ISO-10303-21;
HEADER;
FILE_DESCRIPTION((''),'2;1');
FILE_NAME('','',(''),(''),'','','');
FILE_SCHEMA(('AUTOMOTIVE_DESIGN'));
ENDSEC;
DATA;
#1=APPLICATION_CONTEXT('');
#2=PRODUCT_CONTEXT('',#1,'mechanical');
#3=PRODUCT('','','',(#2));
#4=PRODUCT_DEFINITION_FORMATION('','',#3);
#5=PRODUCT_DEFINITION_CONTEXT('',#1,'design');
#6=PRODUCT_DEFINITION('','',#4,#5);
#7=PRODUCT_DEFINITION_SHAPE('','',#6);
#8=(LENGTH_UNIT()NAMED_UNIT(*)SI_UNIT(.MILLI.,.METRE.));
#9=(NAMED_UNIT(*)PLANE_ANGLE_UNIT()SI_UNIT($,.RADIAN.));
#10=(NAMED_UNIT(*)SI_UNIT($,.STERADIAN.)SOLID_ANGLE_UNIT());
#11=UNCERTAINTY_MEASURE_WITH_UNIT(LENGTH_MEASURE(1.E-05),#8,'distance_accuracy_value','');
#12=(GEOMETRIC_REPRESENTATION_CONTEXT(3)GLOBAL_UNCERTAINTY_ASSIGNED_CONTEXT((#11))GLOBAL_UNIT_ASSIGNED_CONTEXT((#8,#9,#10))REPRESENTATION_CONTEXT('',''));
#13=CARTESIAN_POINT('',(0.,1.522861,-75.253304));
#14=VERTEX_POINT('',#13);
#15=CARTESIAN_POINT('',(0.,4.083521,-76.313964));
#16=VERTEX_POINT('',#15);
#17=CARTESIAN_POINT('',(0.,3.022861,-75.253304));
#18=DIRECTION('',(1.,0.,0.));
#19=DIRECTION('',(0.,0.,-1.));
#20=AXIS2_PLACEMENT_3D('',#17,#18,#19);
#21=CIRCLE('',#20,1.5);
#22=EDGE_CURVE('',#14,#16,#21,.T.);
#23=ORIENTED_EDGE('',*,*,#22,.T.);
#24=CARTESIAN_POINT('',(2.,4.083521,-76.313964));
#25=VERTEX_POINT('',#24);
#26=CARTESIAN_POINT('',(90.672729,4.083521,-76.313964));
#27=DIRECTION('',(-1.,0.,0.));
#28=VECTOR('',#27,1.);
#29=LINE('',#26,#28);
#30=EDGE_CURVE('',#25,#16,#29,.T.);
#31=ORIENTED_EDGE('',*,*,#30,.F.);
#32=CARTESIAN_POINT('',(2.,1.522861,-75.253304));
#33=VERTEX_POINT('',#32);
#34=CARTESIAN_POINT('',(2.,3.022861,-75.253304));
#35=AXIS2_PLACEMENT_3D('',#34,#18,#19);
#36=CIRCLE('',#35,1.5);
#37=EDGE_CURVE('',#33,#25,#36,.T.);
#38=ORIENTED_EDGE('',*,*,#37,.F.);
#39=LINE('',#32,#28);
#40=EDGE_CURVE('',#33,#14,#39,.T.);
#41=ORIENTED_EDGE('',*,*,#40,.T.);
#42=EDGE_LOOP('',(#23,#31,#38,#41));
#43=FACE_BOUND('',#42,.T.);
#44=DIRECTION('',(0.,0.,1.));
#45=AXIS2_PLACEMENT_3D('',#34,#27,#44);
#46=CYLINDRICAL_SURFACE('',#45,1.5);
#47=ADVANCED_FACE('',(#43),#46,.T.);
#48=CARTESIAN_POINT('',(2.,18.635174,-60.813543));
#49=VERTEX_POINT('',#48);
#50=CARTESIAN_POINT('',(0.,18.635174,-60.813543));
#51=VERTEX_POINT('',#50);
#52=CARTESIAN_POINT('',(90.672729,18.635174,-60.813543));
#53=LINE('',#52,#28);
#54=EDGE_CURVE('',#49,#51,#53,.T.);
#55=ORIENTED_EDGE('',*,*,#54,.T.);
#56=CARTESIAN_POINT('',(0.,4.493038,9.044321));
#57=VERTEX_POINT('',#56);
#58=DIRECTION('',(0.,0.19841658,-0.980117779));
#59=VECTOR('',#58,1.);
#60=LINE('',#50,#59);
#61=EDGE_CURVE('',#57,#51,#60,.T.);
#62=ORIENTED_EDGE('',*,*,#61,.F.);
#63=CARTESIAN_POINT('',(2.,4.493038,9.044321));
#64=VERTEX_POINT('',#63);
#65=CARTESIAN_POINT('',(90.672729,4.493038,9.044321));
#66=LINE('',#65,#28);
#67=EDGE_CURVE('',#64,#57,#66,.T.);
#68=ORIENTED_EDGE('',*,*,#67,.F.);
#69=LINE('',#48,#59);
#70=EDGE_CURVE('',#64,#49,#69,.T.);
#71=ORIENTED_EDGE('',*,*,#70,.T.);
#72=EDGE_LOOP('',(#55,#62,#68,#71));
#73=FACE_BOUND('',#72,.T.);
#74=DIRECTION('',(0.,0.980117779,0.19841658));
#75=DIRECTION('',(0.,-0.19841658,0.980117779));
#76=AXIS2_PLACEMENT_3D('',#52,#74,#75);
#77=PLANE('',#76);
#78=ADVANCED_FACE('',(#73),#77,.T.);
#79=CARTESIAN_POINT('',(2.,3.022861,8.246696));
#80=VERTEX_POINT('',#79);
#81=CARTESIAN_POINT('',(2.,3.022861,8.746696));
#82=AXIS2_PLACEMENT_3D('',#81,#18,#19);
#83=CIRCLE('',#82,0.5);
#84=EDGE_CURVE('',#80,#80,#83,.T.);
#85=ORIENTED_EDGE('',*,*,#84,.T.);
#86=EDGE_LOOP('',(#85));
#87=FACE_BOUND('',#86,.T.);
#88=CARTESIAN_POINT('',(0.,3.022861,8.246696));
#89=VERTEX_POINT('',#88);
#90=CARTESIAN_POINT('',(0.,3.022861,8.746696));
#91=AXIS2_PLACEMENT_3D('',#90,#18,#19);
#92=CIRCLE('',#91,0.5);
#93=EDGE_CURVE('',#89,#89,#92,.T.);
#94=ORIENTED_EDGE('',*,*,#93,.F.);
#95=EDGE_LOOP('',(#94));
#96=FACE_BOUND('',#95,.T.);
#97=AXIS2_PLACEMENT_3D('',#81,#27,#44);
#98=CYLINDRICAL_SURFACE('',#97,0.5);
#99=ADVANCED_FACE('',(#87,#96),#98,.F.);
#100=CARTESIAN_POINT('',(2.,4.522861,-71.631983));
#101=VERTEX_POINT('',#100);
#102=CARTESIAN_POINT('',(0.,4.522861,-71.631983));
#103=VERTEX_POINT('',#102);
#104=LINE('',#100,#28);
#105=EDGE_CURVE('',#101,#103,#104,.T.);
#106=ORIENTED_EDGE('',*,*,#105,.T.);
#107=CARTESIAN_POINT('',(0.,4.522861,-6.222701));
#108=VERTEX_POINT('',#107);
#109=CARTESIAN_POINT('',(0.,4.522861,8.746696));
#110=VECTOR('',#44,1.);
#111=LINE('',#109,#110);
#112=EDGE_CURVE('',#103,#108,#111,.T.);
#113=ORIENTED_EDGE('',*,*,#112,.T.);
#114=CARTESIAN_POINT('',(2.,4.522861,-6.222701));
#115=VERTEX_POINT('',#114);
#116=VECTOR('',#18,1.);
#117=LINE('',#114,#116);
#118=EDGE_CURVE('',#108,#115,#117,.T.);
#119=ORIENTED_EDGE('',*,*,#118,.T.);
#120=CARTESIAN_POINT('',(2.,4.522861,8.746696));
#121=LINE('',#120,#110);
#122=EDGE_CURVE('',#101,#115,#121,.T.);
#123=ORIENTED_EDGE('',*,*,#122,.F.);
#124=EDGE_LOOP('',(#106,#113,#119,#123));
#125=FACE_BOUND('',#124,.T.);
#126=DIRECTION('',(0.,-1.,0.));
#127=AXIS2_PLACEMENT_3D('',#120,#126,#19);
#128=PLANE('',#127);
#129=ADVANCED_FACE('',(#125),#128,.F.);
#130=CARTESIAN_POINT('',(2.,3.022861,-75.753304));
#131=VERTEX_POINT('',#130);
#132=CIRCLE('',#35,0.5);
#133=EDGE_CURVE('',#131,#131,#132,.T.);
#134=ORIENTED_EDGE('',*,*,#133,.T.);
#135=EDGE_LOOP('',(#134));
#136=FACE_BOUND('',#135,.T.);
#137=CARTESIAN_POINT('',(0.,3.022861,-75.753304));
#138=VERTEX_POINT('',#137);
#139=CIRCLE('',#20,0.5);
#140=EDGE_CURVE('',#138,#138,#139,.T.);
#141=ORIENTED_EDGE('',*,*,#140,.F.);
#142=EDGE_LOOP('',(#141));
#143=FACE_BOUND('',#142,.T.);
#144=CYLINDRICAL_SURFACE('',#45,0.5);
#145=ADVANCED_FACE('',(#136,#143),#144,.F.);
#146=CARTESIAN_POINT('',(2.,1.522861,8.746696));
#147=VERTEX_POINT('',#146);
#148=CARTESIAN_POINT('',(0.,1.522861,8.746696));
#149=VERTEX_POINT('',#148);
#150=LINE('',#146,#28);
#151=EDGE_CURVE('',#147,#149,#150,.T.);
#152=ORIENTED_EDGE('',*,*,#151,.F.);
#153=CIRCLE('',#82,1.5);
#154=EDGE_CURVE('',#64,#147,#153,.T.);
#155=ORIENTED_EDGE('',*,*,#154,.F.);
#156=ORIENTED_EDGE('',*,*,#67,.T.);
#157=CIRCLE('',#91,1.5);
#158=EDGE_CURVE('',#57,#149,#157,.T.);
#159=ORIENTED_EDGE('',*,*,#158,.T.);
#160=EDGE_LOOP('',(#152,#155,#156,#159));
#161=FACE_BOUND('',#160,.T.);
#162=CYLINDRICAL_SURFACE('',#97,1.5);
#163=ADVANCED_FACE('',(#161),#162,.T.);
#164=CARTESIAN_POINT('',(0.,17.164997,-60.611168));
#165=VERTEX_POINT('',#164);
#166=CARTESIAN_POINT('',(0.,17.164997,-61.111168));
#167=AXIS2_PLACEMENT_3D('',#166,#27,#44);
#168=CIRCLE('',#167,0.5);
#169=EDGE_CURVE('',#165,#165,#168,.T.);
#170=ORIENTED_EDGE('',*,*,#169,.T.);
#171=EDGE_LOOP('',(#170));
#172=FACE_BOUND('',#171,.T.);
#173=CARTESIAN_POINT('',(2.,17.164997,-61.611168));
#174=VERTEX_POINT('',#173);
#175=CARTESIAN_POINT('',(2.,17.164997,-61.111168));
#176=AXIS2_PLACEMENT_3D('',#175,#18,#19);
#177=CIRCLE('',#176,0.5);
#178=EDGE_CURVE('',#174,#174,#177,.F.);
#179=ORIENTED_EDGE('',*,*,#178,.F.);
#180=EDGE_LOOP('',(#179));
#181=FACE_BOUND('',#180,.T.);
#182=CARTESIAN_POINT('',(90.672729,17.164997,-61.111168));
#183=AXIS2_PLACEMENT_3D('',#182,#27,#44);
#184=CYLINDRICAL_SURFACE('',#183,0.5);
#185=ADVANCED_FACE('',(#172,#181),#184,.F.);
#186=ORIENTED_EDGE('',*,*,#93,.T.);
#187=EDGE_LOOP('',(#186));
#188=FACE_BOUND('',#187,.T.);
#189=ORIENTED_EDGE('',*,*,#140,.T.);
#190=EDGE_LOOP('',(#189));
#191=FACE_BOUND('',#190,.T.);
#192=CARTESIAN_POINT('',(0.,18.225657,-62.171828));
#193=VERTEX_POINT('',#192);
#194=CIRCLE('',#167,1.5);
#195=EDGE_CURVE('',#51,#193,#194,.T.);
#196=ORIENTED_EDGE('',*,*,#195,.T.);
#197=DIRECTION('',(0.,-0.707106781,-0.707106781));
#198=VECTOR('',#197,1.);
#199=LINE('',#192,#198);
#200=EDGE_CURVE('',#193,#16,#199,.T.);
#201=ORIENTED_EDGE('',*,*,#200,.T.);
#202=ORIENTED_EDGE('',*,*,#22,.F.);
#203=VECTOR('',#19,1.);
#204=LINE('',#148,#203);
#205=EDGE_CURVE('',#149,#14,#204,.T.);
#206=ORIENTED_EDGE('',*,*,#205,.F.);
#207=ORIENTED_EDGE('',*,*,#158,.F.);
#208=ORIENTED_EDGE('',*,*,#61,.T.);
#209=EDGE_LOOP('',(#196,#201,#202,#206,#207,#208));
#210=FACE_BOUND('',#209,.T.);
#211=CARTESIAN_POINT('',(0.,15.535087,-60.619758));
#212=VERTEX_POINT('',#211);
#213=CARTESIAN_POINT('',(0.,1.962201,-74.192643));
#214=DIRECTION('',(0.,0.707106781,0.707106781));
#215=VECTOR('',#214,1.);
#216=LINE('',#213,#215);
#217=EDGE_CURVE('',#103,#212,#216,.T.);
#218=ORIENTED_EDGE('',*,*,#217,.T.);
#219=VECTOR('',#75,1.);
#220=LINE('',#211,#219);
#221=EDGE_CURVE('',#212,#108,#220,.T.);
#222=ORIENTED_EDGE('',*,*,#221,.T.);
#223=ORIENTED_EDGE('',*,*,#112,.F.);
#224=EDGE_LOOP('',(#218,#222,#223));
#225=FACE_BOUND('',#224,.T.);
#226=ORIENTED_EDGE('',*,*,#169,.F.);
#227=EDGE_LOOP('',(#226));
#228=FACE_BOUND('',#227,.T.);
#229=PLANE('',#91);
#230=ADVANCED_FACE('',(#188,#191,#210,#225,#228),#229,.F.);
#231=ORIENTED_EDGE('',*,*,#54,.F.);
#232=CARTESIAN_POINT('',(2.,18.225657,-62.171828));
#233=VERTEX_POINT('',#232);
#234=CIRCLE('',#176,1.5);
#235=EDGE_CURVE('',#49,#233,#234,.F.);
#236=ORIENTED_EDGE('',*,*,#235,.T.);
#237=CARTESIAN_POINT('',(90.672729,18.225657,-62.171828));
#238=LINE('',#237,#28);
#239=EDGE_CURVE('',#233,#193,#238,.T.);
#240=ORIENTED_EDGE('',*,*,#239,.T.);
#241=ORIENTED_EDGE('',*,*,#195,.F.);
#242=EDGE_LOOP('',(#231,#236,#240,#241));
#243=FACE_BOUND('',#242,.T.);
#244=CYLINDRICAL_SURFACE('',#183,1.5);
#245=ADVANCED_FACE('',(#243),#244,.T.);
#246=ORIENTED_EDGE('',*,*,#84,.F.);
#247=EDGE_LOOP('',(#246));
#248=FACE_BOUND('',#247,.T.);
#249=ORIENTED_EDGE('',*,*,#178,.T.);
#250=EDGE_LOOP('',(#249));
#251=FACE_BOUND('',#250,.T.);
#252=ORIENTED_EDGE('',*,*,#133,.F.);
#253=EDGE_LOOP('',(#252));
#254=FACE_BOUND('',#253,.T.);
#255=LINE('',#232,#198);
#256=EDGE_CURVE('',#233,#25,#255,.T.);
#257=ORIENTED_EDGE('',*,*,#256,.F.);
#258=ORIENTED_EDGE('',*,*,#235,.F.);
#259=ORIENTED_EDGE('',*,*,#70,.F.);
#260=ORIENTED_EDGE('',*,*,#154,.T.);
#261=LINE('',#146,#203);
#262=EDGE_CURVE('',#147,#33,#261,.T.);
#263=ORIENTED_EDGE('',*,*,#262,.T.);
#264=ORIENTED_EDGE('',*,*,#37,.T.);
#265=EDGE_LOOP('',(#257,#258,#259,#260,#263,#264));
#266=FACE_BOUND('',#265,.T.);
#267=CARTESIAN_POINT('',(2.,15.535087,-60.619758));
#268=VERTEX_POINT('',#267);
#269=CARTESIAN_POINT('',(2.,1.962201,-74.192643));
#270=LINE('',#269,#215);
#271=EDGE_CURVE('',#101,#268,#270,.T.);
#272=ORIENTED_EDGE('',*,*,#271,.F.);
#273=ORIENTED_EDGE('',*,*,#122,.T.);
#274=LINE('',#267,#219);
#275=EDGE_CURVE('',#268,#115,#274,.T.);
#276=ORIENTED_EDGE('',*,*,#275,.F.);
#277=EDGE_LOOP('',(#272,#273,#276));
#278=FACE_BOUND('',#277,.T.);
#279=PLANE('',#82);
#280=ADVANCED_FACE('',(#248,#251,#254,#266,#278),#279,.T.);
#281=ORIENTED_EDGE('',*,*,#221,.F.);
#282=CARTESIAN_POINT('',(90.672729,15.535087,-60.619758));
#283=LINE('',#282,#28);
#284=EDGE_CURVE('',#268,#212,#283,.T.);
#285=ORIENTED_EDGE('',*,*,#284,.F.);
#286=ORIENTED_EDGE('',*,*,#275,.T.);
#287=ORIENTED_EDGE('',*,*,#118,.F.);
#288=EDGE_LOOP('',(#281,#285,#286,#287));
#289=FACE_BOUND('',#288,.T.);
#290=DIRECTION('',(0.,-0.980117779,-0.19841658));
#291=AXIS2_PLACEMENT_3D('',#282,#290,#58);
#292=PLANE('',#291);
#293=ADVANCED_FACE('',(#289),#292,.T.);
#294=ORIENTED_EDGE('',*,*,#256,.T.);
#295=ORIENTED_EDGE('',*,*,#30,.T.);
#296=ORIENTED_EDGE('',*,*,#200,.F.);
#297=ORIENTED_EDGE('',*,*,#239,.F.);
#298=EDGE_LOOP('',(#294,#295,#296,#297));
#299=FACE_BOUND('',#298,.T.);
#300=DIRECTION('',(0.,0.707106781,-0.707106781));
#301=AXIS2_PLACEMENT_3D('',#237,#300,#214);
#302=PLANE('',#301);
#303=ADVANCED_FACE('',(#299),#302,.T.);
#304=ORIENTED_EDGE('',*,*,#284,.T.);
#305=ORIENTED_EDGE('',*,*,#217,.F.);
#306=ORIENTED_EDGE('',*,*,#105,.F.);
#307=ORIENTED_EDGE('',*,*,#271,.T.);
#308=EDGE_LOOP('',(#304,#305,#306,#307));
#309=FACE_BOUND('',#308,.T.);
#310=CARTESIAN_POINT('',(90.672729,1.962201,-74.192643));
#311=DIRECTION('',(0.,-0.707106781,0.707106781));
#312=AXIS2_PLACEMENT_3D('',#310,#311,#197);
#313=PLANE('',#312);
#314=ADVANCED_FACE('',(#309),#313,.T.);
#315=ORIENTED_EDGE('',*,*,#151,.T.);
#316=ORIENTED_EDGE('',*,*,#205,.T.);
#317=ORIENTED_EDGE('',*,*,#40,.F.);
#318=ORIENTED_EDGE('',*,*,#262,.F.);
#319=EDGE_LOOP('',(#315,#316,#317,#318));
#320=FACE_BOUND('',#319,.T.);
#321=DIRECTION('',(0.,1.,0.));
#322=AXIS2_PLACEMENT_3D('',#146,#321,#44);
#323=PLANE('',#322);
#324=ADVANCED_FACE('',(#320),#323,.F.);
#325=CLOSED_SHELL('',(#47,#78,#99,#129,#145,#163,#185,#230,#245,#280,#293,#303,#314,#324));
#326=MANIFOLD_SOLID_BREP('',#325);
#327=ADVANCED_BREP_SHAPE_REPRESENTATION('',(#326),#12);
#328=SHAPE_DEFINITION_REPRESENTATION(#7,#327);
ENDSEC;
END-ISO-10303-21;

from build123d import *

# Parameters (mm, degrees)
SKETCH_1_R      = 0.5
EXTRUDE_1_DEPTH = 2
SKETCH_2_R      = 0.5
EXTRUDE_2_DEPTH = 2


with BuildPart() as part:
    # 草图1 → 凸台-拉伸1 (new body)
    with BuildSketch(Plane(origin=(0, 0, 0), x_dir=(0, 0, -1), z_dir=(1, 0, 0))):
        with BuildLine():
            Line((-8.746696486, 4.522861275), (75.253303514, 4.522861275))
            ThreePointArc((75.253303514, 4.522861275), (76.753303514, 3.022861275), (75.253303514, 1.522861275))
            Line((75.253303514, 1.522861275), (-8.746696486, 1.522861275))
            ThreePointArc((-8.746696486, 1.522861275), (-10.246696486, 3.022861275), (-8.746696486, 4.522861275))
        make_face()
        with Locations((-8.746696486, 3.022861275)):
            Circle(SKETCH_1_R, mode=Mode.SUBTRACT)
        with Locations((75.253303514, 3.022861275)):
            Circle(SKETCH_1_R, mode=Mode.SUBTRACT)
    extrude(amount=EXTRUDE_1_DEPTH)

    # 草图2 → 凸台-拉伸2 (add)
    with BuildSketch(Plane.ZY):
        with BuildLine():
            Line((-62.171828062, 18.22565707), (-76.313963686, 4.083521447))
            ThreePointArc((-76.313963686, 4.083521447), (-76.313963686, 1.962201103), (-74.192643342, 1.962201103))
            Line((-74.192643342, 1.962201103), (-60.619757708, 15.535086737))
            Line((-60.619757708, 15.535086737), (8.449071616, 1.552684606))
            ThreePointArc((8.449071616, 1.552684606), (10.216873155, 2.725236404), (9.044321357, 4.493037943))
            Line((9.044321357, 4.493037943), (-60.81354302, 18.635173567))
            ThreePointArc((-60.81354302, 18.635173567), (-61.544159412, 18.601143946), (-62.171828062, 18.22565707))
        make_face()
        with Locations((-61.11116789, 17.164996899)):
            Circle(SKETCH_2_R, mode=Mode.SUBTRACT)
        with Locations(Location((-75.253303514, 3.022861275, 0), (0, 0, 180))):
            Circle(SKETCH_2_R, mode=Mode.SUBTRACT)
        with Locations(Location((8.746696486, 3.022861275, 0), (0, 0, 180))):
            Circle(SKETCH_2_R, mode=Mode.SUBTRACT)
    extrude(amount=-EXTRUDE_2_DEPTH)


solid = part.part
